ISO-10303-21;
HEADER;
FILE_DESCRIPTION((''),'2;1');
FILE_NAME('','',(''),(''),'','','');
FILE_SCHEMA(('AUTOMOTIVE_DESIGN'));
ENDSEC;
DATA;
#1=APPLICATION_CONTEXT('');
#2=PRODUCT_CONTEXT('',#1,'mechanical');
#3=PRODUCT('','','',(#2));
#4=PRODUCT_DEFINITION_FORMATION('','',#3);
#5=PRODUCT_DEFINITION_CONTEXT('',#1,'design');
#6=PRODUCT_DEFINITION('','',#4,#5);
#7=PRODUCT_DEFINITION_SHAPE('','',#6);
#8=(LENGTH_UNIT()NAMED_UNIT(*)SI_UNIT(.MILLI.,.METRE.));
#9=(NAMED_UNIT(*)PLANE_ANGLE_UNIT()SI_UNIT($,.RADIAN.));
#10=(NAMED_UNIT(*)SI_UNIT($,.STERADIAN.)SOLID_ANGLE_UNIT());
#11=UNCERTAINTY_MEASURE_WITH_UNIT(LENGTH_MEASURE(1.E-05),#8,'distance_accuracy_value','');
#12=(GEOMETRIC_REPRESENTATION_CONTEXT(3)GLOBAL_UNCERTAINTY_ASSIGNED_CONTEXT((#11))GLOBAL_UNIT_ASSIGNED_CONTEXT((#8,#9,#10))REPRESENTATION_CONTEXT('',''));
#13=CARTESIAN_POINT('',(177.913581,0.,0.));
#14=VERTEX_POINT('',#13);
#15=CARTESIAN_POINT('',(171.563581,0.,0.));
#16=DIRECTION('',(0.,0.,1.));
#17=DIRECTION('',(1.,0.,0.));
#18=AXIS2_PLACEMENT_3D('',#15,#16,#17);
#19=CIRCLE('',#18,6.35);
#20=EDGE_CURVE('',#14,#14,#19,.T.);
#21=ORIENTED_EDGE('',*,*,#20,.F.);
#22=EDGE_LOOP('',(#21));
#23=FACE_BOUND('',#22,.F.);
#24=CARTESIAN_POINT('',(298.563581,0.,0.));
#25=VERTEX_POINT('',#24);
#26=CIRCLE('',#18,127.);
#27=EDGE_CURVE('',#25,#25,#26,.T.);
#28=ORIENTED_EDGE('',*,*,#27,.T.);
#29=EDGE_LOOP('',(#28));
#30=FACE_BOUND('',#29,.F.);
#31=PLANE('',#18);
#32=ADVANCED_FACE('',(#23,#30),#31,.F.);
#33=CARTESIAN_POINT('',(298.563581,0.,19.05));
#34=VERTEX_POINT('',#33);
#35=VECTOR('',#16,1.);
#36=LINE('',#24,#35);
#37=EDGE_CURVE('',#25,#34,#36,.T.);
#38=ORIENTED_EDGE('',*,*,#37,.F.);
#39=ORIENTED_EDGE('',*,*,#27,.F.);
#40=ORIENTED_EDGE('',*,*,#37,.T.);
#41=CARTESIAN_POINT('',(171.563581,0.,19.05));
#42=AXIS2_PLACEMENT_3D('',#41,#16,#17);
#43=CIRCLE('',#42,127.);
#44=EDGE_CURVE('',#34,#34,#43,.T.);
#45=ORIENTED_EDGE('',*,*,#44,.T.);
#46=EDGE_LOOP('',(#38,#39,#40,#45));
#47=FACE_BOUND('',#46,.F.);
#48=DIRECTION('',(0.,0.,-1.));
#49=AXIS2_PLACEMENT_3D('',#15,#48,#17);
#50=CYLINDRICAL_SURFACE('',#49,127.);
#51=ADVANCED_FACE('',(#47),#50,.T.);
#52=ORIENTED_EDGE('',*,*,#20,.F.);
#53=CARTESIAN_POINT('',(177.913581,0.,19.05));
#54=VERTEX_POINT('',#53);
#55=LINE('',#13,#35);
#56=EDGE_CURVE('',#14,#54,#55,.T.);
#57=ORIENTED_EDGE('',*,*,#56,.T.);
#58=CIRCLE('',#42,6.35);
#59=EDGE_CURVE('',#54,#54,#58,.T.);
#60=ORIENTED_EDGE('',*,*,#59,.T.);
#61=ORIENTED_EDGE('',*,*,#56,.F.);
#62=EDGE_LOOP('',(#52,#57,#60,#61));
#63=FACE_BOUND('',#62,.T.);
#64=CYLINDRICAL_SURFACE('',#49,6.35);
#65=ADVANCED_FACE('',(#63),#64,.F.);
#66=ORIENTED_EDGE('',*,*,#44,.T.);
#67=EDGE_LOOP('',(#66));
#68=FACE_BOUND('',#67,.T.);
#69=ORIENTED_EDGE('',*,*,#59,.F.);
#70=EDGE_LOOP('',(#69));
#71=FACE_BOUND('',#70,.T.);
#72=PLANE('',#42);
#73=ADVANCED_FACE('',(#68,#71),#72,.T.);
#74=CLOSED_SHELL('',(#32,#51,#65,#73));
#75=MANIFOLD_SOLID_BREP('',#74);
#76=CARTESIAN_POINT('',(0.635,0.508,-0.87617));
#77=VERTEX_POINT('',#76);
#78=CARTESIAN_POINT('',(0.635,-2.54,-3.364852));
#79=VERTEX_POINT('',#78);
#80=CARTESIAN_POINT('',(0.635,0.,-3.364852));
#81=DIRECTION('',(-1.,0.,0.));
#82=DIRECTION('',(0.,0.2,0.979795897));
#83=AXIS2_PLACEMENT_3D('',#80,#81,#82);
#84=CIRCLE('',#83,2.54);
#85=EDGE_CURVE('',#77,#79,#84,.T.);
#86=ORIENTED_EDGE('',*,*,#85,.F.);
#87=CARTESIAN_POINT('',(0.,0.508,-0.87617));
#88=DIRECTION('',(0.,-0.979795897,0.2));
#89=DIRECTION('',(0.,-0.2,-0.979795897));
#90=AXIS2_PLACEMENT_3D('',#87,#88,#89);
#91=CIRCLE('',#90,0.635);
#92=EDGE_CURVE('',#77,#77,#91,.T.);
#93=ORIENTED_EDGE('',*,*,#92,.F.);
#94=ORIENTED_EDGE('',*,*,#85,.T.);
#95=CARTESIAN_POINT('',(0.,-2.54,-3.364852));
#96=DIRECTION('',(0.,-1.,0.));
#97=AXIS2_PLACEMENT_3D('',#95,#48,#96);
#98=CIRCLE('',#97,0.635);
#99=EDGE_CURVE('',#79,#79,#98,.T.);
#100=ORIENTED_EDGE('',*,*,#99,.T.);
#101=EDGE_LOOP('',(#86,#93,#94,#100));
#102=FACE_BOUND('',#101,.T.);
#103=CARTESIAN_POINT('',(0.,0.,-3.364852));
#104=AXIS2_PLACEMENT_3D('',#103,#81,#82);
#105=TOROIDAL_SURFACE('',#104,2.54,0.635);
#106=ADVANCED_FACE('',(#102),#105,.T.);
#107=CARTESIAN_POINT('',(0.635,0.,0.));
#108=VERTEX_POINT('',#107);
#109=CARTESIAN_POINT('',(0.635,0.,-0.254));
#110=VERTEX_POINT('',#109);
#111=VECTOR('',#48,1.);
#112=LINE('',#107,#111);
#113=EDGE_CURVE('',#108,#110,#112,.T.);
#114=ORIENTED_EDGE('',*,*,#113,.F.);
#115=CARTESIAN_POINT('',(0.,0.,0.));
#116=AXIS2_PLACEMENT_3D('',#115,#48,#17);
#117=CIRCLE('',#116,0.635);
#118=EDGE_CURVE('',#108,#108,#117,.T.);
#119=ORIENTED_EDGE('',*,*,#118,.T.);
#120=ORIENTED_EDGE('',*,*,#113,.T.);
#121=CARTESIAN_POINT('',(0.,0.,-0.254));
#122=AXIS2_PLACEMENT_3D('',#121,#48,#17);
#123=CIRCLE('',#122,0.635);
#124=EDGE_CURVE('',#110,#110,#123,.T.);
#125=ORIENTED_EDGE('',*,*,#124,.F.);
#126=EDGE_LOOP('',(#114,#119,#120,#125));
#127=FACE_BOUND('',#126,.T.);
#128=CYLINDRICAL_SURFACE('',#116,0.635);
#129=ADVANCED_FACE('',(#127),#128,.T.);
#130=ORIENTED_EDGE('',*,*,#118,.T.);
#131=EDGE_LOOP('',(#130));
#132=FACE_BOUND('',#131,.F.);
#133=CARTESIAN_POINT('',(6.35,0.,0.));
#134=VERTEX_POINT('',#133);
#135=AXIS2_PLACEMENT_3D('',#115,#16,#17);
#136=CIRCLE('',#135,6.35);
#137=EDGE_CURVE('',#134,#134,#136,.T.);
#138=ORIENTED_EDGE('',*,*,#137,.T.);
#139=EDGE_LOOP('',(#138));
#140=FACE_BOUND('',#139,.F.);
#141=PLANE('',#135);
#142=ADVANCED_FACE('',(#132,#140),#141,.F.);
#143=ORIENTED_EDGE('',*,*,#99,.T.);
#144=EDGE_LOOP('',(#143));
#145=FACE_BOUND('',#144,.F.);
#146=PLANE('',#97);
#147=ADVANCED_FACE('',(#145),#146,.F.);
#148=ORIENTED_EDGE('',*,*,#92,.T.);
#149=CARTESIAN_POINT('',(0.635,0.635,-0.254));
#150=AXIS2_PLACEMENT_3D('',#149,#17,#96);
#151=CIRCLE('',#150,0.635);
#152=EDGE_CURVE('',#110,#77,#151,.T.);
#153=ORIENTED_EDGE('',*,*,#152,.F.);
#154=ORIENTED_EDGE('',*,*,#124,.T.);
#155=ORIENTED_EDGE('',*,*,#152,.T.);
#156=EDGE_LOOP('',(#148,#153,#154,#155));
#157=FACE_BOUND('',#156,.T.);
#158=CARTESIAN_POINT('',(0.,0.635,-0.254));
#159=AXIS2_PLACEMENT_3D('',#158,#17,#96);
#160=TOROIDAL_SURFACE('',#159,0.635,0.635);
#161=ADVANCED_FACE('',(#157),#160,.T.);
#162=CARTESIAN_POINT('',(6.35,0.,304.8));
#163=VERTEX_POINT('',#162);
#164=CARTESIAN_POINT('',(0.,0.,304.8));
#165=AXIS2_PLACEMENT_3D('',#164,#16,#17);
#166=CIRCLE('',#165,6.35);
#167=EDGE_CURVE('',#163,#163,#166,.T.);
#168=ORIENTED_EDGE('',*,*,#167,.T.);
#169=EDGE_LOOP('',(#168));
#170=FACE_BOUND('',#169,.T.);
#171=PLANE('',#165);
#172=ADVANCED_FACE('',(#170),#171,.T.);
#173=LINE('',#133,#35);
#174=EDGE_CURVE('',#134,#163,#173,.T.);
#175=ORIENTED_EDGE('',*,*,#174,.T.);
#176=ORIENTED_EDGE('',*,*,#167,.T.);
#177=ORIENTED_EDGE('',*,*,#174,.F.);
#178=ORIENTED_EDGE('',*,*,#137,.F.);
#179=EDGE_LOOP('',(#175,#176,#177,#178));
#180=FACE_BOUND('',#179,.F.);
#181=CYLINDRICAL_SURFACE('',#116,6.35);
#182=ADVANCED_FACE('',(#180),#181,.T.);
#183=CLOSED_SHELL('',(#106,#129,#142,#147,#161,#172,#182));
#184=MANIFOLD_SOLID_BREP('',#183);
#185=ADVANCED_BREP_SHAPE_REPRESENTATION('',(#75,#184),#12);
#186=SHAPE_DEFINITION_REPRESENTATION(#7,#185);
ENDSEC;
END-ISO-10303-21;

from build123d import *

# Parameters (mm, degrees)
F0_R     = 6.35
F1_DEPTH = 304.8
F0_R_2   = 127
F2_DEPTH = 19.05
F4_R     = 0.635


with BuildPart() as f1:
    # F0 (on Top) → F1 (new body)
    with BuildSketch(Plane.XY):
        Circle(F0_R)
    extrude(amount=F1_DEPTH)

    # F5: sweep along a path in F3
    with BuildLine(Plane.YZ) as f5_path:
        Line((0, 0), (0, -0.254))
        ThreePointArc((0, -0.254), (0.143131115, -0.6556092628), (0.508, -0.8761703947))
        ThreePointArc((0.508, -0.8761703947), (1.6064370514, -5.3323275132), (-2.54, -3.3648519733))
    # F4 (on face) → F5 (sweep)
    with BuildSketch(Plane.XY):
        Circle(F4_R)
    sweep(path=f5_path.line)


with BuildPart() as f2:
    # F0 (on Top) → F2 (new body)
    with BuildSketch(Plane.XY):
        with Locations((171.5635806322, 0)):
            Circle(F0_R_2)
        with Locations((171.5635806322, 0)):
            Circle(F0_R, mode=Mode.SUBTRACT)
    extrude(amount=F2_DEPTH)


solid = Compound([f1.part, f2.part])
